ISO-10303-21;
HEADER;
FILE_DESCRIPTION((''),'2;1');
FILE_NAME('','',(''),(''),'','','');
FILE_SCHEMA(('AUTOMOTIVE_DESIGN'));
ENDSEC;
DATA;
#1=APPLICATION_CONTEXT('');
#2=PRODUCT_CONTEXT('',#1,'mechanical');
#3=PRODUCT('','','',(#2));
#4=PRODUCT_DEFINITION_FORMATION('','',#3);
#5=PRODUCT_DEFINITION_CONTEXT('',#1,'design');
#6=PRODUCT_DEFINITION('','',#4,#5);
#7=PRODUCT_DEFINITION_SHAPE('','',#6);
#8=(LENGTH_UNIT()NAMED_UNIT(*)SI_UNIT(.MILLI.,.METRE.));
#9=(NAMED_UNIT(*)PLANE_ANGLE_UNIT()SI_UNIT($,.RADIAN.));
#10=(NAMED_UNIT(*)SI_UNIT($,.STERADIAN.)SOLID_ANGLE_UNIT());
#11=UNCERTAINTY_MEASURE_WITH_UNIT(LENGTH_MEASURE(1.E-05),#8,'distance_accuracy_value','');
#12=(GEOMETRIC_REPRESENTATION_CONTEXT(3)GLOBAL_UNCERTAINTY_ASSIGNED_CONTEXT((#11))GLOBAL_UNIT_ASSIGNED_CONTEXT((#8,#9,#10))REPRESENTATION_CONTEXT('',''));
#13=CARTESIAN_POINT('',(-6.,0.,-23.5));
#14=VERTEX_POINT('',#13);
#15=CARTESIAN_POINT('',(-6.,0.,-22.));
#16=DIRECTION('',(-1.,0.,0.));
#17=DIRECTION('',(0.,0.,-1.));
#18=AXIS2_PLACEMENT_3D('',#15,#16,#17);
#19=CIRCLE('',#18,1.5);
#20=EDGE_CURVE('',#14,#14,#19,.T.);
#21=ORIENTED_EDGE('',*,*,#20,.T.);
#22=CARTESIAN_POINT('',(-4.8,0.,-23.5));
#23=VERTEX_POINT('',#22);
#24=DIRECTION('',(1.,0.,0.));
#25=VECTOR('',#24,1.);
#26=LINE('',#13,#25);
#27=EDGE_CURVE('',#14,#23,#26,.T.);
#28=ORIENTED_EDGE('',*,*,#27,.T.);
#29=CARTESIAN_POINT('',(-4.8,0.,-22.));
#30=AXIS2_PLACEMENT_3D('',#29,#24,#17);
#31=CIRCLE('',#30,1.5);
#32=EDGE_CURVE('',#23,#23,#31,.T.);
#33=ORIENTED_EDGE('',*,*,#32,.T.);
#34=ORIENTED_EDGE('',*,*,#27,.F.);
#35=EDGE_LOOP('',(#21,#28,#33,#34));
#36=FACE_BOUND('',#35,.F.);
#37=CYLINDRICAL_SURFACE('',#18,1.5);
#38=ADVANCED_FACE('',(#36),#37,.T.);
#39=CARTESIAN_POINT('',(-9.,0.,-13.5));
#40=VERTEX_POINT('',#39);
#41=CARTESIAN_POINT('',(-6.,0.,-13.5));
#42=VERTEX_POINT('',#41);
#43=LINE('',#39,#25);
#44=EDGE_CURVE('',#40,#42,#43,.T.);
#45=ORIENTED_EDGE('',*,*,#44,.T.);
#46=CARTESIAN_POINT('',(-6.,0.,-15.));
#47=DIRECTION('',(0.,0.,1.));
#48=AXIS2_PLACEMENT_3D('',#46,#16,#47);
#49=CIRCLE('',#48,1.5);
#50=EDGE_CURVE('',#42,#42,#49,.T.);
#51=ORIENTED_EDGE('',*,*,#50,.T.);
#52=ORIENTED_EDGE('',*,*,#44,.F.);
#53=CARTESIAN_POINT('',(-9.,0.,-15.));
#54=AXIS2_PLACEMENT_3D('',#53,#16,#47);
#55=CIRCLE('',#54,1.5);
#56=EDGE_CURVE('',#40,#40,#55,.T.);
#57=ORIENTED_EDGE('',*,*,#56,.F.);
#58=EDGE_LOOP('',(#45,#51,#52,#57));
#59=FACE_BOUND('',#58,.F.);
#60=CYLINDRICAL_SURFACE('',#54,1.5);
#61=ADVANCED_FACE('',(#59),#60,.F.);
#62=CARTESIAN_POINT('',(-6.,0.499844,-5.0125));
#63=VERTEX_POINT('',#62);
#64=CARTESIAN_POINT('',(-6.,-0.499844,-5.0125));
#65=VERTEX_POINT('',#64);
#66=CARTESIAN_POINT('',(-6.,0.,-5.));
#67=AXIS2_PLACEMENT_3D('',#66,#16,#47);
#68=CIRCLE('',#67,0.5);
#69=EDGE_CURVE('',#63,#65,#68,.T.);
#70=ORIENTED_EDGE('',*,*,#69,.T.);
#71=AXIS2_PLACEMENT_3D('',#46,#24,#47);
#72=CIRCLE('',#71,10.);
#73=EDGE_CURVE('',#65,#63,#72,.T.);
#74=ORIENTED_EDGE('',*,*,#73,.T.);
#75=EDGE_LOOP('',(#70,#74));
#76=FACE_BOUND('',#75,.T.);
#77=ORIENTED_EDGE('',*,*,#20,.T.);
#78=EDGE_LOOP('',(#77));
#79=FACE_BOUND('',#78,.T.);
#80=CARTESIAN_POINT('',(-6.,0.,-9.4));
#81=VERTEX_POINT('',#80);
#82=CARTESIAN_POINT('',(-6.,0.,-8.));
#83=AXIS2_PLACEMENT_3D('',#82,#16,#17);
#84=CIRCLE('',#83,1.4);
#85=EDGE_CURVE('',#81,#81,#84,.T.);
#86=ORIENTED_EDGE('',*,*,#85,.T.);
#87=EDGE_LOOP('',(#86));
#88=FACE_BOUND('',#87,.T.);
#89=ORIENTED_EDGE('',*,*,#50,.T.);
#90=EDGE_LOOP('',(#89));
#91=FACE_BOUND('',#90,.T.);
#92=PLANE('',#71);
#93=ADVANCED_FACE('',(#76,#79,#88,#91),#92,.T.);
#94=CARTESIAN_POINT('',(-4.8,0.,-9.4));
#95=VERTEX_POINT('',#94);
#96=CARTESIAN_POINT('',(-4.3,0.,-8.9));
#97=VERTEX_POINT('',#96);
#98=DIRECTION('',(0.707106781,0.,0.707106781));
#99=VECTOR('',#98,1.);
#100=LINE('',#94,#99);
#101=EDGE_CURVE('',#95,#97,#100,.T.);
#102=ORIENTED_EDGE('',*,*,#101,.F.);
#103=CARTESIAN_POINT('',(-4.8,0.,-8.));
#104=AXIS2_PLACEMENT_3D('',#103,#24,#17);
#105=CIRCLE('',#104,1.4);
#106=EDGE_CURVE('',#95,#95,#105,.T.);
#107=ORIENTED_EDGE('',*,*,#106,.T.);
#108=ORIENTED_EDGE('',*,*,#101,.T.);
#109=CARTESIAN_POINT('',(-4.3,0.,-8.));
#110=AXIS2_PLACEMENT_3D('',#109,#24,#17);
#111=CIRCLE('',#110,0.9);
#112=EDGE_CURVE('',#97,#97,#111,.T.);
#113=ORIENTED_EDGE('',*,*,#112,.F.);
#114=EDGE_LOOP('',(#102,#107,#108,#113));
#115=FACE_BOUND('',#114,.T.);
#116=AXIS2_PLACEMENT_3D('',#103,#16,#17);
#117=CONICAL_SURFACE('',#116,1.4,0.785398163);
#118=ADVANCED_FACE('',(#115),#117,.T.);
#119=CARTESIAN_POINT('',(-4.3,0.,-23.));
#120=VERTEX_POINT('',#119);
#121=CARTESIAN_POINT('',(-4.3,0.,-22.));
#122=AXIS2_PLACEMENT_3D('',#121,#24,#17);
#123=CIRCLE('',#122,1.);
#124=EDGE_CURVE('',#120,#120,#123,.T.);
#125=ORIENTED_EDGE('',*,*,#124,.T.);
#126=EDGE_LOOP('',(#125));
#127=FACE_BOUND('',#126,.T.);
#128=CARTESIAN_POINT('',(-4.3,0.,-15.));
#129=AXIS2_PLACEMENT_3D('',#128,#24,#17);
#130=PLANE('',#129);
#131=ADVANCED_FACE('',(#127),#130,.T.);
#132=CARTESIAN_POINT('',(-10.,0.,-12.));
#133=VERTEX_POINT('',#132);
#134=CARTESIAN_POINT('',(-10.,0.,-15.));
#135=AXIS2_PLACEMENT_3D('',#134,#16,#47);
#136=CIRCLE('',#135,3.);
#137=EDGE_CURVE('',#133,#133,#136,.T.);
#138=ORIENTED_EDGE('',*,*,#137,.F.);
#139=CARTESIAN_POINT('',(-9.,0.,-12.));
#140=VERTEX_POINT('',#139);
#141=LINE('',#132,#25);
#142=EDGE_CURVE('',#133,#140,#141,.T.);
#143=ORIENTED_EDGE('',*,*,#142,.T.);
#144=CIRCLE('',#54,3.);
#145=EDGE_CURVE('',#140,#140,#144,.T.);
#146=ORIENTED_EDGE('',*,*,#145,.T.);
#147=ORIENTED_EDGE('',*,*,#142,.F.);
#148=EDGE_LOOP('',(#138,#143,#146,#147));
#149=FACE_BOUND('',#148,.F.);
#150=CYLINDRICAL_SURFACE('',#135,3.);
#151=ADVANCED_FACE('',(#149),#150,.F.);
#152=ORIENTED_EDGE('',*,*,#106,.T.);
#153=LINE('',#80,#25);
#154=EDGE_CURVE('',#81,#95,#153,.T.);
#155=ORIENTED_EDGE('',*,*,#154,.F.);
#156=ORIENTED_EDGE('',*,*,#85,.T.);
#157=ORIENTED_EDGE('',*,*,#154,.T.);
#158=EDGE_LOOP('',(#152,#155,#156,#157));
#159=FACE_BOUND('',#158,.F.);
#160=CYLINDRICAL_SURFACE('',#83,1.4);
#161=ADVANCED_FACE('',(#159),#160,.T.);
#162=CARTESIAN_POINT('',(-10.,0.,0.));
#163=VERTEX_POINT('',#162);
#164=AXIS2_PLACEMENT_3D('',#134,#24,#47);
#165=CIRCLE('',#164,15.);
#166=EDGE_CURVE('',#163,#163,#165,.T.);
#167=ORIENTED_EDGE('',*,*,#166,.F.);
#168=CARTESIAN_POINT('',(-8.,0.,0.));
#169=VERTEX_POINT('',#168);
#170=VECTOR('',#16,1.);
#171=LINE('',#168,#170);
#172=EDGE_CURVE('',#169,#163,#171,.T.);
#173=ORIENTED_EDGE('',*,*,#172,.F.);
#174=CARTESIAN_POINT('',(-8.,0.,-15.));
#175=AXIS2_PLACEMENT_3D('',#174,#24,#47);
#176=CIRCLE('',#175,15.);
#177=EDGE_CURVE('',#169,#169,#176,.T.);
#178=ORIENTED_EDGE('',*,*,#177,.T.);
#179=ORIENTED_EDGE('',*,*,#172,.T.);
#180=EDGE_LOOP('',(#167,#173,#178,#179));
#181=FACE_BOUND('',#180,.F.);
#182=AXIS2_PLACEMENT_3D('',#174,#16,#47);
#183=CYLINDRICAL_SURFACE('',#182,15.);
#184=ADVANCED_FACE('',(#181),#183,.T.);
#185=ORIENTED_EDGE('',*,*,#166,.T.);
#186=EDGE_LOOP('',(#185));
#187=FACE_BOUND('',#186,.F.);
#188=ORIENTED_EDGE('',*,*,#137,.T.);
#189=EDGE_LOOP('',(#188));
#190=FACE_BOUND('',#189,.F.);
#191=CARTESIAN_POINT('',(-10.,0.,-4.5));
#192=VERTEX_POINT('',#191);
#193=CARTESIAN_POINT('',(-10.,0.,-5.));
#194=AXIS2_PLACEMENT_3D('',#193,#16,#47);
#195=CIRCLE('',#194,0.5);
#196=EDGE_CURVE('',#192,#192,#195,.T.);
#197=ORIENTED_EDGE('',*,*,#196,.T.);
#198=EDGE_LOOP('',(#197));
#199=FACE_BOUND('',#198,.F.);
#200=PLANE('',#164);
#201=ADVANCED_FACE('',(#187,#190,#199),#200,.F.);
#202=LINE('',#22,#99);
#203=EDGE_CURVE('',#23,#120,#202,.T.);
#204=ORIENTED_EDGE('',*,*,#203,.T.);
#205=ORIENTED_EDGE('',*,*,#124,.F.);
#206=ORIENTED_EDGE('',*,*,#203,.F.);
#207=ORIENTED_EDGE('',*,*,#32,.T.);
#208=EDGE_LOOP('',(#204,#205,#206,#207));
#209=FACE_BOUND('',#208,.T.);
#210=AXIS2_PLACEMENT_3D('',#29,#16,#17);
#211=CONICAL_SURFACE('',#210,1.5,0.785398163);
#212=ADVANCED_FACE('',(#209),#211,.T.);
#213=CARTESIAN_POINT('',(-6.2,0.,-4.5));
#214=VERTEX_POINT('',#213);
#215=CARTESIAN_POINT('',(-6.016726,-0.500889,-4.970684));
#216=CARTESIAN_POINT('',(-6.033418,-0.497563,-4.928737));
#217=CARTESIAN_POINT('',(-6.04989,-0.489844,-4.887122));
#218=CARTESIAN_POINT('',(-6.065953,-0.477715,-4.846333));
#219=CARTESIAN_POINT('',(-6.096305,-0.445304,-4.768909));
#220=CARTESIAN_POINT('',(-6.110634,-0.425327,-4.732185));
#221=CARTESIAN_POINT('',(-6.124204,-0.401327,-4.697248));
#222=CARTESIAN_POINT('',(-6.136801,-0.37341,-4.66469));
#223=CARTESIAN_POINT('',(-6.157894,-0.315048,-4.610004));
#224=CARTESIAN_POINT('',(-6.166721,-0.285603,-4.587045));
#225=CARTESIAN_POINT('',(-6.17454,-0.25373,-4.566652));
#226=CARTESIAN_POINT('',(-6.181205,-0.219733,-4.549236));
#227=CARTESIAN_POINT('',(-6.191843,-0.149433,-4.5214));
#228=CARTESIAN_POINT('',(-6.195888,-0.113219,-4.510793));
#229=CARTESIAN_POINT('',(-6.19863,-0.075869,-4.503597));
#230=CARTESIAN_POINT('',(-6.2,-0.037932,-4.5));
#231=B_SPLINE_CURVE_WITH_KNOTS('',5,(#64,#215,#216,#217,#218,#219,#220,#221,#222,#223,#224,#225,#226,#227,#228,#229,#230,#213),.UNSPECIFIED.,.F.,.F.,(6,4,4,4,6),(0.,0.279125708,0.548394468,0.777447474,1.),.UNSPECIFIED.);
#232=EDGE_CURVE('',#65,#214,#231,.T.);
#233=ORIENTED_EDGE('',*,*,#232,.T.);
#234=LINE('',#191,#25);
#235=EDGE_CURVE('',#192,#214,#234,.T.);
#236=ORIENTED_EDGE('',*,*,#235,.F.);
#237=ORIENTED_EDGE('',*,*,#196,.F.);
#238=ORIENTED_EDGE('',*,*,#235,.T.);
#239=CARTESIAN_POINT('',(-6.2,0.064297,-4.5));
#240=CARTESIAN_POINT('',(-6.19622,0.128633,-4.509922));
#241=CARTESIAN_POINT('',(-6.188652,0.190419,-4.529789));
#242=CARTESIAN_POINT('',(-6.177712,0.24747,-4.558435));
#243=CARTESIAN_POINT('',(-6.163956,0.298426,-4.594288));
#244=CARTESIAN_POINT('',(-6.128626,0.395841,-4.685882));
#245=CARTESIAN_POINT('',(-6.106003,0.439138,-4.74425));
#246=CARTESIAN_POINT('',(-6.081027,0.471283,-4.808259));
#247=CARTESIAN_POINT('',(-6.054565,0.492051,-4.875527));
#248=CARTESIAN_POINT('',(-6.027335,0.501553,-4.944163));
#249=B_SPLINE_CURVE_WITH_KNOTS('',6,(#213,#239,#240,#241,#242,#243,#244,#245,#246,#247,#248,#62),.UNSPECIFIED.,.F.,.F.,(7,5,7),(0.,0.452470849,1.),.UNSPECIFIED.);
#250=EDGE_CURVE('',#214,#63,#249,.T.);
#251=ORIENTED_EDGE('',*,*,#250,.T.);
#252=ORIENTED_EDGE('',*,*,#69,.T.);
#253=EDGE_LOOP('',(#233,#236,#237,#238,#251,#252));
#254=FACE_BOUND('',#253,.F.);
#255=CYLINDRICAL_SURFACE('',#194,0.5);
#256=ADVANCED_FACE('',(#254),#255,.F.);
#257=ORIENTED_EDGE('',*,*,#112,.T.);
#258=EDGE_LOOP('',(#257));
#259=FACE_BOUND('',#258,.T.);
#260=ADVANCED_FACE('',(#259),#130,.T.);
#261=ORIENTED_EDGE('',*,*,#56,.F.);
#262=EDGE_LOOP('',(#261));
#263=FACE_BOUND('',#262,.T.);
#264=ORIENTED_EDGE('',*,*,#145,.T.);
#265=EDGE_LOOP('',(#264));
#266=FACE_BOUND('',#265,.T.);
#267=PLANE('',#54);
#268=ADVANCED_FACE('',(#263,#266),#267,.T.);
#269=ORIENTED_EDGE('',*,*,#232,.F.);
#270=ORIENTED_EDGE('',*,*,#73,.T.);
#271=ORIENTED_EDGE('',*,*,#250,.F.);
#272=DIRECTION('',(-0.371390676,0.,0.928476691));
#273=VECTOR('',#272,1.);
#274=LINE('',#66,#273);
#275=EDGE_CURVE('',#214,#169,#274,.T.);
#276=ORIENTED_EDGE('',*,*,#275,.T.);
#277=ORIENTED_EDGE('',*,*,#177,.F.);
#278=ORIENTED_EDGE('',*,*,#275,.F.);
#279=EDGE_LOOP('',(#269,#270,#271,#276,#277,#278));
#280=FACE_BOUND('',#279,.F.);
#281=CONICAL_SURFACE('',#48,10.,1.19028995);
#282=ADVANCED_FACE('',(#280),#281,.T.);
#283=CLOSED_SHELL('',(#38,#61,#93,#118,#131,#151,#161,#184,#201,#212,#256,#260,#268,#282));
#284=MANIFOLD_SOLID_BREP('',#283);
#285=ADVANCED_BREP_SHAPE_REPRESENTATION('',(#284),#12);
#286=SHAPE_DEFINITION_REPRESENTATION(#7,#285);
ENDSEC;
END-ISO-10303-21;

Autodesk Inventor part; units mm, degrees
ref_plane "YZ Plane" through (0, 0, 0) normal (1, 0, 0) x (0, 1, 0)
ref_plane "XZ Plane" through (0, 0, 0) normal (0, 1, 0) x (-1, 0, 0)
ref_plane "XY Plane" through (0, 0, 0) normal (0, 0, 1) x (1, 0, 0)
sketch "Náčrt1" plane through (0, 0, 0) normal (0, 1, 0) x (-1, 0, 0)
  line L0 (0, 0) -> (0, -15)
  line L1 (10, 0) -> (10, -15)
  line L2 (6, -5) -> (4, -5)
  line L3 (10, -15) -> (0, -15)
  line L4 (6, -5) -> (8, 0)
  line L5 (8, 0) -> (10, 0)
  line L6 (4, -5) -> (2, 0)
  line L7 (2, 0) -> (0, 0)
  dimension "d0" = 2
  dimension "d1" = 5
  dimension "d2" = 15
  dimension "d5" = 2
  dimension "d6" = 10
revolve "Rotace1" add sketch "Náčrt1" angle 360 about axis through (-10, 0, -15) along (1, 0, 0)
sketch "Náčrt2" plane through (0, 0, -15) normal (1, 0, 0) x (0, 0, -1)
  circle A0 centre (0, 0) radius 15 projected
  circle A1 centre (0, 0) radius 10 projected
  circle A2 centre (0, 0) radius 10.5
  point P0 (-15, 0)
  dimension "d8" = 21
extrude "Vysunutí1" cut sketch "Náčrt2" against normal blind 2.2 contours A1
sketch "Náčrt3" plane through (-10, 0, -15) normal (-1, 0, 0) x (0, 0, 1)
  circle A0 centre (0, 0) radius 15 projected
  circle A1 centre (0, 0) radius 3
  point P0 (15, 0)
  dimension "d11" = 6
extrude "Vysunutí2" cut sketch "Náčrt3" against normal blind 1 contours A1
sketch "Náčrt4" plane through (-9, 0, -15) normal (-1, 0, 0) x (0, 0, 1)
  circle A0 centre (0, 0) radius 15 projected
  circle A1 centre (0, 0) radius 10 projected
  circle A2 centre (0, 0) radius 1.5
  point P0 (15, 0)
  dimension "d14" = 3
extrude "Vysunutí3" cut sketch "Náčrt4" against normal through all contours A2
sketch "Náčrt5" plane through (-10, 0, -15) normal (-1, 0, 0) x (0, 0, 1)
  circle A0 centre (0, 0) radius 3 projected
  circle A1 centre (0, 0) radius 15 projected
  circle A2 centre (0, 0) radius 1.5 construction
  circle A3 centre (0, 0) radius 7 construction
  circle A4 centre (7, 0) radius 1.4
  circle A5 centre (0, 0) radius 10 construction
  circle A6 centre (10, 0) radius 0.5
  circle A7 centre (0, 0) radius 15 construction
  line L0 (0, 15) -> (0, -15) construction
  circle A8 centre (-7, 0) radius 1.4
  point P0 (15, 0)
  dimension "d17" = 8
  dimension "d18" = 2.8
  dimension "d21" = 5
  dimension "d22" = 1
extrude "Vysunutí4" cut sketch "Náčrt5" against normal through all contours A4 | A6 | A8
sketch "Náčrt6" plane through (-10, 0, -15) normal (-1, 0, 0) x (0, 0, 1)
  circle A0 centre (7, 0) radius 1.4 projected
  circle A1 centre (10, 0) radius 0.5 projected
  circle A2 centre (0, 0) radius 3 projected
  circle A3 centre (0, 0) radius 15 projected
  point P0 (15, 0)
ref_plane "Pracovní rovina1" through (-6, 0, -15) normal (-1, 0, 0) x (0, 0, 1)
split "Rozdělit1" plane through (-6, 0, -15) removes the side toward (1, 0, 0)
sketch "Náčrt7" plane through (-10, 0, -15) normal (-1, 0, 0) x (0, 0, 1)
  circle A0 centre (7, 0) radius 1.4 projected
  circle A1 centre (10, 0) radius 0.5 projected
  circle A2 centre (-7, 0) radius 1.4 projected
  circle A3 centre (0, 0) radius 3 projected
  circle A4 centre (0, 0) radius 15 projected
  circle A5 centre (-7, 0) radius 1.4 projected
  circle A6 centre (-7, 0) radius 1.5
  circle A7 centre (7, 0) radius 1.5
  point P0 (15, 0)
  dimension "d24" = 3
  dimension "d25" = 3
extrude "Vysunutí5" cut sketch "Náčrt7" against normal through all contours A0 | A2 | A6
sketch "Sketch8" plane through (-6, 0, -15) normal (1, 0, 0) x (0, 0, -1)
  circle A0 centre (7, 0) radius 1.5 projected
  circle A1 centre (-7, 0) radius 1.4 projected
  arc A2 (-9.9875, -0.4998) -> (-9.9875, 0.4998) centre (-10, 0) ccw projected
  arc A3 (-9.9875, -0.4998) -> (-9.9875, 0.4998) centre (0, 0) ccw projected
  circle A4 centre (0, 0) radius 1.5 projected
  circle A5 centre (-7, 0) radius 1.4
  circle A6 centre (7, 0) radius 1.5
  point P0 (-15, 0)
extrude "Extrusion6" add sketch "Sketch8" along normal blind 1.7 and the other way blind 4 contours A0 | A1
chamfer "Chamfer1" distance 0.5 angle 45 2 edges at (-4.3, 0, -6.6) (-4.3, 0, -20.5)
properties part number "bubinek_TOP"
